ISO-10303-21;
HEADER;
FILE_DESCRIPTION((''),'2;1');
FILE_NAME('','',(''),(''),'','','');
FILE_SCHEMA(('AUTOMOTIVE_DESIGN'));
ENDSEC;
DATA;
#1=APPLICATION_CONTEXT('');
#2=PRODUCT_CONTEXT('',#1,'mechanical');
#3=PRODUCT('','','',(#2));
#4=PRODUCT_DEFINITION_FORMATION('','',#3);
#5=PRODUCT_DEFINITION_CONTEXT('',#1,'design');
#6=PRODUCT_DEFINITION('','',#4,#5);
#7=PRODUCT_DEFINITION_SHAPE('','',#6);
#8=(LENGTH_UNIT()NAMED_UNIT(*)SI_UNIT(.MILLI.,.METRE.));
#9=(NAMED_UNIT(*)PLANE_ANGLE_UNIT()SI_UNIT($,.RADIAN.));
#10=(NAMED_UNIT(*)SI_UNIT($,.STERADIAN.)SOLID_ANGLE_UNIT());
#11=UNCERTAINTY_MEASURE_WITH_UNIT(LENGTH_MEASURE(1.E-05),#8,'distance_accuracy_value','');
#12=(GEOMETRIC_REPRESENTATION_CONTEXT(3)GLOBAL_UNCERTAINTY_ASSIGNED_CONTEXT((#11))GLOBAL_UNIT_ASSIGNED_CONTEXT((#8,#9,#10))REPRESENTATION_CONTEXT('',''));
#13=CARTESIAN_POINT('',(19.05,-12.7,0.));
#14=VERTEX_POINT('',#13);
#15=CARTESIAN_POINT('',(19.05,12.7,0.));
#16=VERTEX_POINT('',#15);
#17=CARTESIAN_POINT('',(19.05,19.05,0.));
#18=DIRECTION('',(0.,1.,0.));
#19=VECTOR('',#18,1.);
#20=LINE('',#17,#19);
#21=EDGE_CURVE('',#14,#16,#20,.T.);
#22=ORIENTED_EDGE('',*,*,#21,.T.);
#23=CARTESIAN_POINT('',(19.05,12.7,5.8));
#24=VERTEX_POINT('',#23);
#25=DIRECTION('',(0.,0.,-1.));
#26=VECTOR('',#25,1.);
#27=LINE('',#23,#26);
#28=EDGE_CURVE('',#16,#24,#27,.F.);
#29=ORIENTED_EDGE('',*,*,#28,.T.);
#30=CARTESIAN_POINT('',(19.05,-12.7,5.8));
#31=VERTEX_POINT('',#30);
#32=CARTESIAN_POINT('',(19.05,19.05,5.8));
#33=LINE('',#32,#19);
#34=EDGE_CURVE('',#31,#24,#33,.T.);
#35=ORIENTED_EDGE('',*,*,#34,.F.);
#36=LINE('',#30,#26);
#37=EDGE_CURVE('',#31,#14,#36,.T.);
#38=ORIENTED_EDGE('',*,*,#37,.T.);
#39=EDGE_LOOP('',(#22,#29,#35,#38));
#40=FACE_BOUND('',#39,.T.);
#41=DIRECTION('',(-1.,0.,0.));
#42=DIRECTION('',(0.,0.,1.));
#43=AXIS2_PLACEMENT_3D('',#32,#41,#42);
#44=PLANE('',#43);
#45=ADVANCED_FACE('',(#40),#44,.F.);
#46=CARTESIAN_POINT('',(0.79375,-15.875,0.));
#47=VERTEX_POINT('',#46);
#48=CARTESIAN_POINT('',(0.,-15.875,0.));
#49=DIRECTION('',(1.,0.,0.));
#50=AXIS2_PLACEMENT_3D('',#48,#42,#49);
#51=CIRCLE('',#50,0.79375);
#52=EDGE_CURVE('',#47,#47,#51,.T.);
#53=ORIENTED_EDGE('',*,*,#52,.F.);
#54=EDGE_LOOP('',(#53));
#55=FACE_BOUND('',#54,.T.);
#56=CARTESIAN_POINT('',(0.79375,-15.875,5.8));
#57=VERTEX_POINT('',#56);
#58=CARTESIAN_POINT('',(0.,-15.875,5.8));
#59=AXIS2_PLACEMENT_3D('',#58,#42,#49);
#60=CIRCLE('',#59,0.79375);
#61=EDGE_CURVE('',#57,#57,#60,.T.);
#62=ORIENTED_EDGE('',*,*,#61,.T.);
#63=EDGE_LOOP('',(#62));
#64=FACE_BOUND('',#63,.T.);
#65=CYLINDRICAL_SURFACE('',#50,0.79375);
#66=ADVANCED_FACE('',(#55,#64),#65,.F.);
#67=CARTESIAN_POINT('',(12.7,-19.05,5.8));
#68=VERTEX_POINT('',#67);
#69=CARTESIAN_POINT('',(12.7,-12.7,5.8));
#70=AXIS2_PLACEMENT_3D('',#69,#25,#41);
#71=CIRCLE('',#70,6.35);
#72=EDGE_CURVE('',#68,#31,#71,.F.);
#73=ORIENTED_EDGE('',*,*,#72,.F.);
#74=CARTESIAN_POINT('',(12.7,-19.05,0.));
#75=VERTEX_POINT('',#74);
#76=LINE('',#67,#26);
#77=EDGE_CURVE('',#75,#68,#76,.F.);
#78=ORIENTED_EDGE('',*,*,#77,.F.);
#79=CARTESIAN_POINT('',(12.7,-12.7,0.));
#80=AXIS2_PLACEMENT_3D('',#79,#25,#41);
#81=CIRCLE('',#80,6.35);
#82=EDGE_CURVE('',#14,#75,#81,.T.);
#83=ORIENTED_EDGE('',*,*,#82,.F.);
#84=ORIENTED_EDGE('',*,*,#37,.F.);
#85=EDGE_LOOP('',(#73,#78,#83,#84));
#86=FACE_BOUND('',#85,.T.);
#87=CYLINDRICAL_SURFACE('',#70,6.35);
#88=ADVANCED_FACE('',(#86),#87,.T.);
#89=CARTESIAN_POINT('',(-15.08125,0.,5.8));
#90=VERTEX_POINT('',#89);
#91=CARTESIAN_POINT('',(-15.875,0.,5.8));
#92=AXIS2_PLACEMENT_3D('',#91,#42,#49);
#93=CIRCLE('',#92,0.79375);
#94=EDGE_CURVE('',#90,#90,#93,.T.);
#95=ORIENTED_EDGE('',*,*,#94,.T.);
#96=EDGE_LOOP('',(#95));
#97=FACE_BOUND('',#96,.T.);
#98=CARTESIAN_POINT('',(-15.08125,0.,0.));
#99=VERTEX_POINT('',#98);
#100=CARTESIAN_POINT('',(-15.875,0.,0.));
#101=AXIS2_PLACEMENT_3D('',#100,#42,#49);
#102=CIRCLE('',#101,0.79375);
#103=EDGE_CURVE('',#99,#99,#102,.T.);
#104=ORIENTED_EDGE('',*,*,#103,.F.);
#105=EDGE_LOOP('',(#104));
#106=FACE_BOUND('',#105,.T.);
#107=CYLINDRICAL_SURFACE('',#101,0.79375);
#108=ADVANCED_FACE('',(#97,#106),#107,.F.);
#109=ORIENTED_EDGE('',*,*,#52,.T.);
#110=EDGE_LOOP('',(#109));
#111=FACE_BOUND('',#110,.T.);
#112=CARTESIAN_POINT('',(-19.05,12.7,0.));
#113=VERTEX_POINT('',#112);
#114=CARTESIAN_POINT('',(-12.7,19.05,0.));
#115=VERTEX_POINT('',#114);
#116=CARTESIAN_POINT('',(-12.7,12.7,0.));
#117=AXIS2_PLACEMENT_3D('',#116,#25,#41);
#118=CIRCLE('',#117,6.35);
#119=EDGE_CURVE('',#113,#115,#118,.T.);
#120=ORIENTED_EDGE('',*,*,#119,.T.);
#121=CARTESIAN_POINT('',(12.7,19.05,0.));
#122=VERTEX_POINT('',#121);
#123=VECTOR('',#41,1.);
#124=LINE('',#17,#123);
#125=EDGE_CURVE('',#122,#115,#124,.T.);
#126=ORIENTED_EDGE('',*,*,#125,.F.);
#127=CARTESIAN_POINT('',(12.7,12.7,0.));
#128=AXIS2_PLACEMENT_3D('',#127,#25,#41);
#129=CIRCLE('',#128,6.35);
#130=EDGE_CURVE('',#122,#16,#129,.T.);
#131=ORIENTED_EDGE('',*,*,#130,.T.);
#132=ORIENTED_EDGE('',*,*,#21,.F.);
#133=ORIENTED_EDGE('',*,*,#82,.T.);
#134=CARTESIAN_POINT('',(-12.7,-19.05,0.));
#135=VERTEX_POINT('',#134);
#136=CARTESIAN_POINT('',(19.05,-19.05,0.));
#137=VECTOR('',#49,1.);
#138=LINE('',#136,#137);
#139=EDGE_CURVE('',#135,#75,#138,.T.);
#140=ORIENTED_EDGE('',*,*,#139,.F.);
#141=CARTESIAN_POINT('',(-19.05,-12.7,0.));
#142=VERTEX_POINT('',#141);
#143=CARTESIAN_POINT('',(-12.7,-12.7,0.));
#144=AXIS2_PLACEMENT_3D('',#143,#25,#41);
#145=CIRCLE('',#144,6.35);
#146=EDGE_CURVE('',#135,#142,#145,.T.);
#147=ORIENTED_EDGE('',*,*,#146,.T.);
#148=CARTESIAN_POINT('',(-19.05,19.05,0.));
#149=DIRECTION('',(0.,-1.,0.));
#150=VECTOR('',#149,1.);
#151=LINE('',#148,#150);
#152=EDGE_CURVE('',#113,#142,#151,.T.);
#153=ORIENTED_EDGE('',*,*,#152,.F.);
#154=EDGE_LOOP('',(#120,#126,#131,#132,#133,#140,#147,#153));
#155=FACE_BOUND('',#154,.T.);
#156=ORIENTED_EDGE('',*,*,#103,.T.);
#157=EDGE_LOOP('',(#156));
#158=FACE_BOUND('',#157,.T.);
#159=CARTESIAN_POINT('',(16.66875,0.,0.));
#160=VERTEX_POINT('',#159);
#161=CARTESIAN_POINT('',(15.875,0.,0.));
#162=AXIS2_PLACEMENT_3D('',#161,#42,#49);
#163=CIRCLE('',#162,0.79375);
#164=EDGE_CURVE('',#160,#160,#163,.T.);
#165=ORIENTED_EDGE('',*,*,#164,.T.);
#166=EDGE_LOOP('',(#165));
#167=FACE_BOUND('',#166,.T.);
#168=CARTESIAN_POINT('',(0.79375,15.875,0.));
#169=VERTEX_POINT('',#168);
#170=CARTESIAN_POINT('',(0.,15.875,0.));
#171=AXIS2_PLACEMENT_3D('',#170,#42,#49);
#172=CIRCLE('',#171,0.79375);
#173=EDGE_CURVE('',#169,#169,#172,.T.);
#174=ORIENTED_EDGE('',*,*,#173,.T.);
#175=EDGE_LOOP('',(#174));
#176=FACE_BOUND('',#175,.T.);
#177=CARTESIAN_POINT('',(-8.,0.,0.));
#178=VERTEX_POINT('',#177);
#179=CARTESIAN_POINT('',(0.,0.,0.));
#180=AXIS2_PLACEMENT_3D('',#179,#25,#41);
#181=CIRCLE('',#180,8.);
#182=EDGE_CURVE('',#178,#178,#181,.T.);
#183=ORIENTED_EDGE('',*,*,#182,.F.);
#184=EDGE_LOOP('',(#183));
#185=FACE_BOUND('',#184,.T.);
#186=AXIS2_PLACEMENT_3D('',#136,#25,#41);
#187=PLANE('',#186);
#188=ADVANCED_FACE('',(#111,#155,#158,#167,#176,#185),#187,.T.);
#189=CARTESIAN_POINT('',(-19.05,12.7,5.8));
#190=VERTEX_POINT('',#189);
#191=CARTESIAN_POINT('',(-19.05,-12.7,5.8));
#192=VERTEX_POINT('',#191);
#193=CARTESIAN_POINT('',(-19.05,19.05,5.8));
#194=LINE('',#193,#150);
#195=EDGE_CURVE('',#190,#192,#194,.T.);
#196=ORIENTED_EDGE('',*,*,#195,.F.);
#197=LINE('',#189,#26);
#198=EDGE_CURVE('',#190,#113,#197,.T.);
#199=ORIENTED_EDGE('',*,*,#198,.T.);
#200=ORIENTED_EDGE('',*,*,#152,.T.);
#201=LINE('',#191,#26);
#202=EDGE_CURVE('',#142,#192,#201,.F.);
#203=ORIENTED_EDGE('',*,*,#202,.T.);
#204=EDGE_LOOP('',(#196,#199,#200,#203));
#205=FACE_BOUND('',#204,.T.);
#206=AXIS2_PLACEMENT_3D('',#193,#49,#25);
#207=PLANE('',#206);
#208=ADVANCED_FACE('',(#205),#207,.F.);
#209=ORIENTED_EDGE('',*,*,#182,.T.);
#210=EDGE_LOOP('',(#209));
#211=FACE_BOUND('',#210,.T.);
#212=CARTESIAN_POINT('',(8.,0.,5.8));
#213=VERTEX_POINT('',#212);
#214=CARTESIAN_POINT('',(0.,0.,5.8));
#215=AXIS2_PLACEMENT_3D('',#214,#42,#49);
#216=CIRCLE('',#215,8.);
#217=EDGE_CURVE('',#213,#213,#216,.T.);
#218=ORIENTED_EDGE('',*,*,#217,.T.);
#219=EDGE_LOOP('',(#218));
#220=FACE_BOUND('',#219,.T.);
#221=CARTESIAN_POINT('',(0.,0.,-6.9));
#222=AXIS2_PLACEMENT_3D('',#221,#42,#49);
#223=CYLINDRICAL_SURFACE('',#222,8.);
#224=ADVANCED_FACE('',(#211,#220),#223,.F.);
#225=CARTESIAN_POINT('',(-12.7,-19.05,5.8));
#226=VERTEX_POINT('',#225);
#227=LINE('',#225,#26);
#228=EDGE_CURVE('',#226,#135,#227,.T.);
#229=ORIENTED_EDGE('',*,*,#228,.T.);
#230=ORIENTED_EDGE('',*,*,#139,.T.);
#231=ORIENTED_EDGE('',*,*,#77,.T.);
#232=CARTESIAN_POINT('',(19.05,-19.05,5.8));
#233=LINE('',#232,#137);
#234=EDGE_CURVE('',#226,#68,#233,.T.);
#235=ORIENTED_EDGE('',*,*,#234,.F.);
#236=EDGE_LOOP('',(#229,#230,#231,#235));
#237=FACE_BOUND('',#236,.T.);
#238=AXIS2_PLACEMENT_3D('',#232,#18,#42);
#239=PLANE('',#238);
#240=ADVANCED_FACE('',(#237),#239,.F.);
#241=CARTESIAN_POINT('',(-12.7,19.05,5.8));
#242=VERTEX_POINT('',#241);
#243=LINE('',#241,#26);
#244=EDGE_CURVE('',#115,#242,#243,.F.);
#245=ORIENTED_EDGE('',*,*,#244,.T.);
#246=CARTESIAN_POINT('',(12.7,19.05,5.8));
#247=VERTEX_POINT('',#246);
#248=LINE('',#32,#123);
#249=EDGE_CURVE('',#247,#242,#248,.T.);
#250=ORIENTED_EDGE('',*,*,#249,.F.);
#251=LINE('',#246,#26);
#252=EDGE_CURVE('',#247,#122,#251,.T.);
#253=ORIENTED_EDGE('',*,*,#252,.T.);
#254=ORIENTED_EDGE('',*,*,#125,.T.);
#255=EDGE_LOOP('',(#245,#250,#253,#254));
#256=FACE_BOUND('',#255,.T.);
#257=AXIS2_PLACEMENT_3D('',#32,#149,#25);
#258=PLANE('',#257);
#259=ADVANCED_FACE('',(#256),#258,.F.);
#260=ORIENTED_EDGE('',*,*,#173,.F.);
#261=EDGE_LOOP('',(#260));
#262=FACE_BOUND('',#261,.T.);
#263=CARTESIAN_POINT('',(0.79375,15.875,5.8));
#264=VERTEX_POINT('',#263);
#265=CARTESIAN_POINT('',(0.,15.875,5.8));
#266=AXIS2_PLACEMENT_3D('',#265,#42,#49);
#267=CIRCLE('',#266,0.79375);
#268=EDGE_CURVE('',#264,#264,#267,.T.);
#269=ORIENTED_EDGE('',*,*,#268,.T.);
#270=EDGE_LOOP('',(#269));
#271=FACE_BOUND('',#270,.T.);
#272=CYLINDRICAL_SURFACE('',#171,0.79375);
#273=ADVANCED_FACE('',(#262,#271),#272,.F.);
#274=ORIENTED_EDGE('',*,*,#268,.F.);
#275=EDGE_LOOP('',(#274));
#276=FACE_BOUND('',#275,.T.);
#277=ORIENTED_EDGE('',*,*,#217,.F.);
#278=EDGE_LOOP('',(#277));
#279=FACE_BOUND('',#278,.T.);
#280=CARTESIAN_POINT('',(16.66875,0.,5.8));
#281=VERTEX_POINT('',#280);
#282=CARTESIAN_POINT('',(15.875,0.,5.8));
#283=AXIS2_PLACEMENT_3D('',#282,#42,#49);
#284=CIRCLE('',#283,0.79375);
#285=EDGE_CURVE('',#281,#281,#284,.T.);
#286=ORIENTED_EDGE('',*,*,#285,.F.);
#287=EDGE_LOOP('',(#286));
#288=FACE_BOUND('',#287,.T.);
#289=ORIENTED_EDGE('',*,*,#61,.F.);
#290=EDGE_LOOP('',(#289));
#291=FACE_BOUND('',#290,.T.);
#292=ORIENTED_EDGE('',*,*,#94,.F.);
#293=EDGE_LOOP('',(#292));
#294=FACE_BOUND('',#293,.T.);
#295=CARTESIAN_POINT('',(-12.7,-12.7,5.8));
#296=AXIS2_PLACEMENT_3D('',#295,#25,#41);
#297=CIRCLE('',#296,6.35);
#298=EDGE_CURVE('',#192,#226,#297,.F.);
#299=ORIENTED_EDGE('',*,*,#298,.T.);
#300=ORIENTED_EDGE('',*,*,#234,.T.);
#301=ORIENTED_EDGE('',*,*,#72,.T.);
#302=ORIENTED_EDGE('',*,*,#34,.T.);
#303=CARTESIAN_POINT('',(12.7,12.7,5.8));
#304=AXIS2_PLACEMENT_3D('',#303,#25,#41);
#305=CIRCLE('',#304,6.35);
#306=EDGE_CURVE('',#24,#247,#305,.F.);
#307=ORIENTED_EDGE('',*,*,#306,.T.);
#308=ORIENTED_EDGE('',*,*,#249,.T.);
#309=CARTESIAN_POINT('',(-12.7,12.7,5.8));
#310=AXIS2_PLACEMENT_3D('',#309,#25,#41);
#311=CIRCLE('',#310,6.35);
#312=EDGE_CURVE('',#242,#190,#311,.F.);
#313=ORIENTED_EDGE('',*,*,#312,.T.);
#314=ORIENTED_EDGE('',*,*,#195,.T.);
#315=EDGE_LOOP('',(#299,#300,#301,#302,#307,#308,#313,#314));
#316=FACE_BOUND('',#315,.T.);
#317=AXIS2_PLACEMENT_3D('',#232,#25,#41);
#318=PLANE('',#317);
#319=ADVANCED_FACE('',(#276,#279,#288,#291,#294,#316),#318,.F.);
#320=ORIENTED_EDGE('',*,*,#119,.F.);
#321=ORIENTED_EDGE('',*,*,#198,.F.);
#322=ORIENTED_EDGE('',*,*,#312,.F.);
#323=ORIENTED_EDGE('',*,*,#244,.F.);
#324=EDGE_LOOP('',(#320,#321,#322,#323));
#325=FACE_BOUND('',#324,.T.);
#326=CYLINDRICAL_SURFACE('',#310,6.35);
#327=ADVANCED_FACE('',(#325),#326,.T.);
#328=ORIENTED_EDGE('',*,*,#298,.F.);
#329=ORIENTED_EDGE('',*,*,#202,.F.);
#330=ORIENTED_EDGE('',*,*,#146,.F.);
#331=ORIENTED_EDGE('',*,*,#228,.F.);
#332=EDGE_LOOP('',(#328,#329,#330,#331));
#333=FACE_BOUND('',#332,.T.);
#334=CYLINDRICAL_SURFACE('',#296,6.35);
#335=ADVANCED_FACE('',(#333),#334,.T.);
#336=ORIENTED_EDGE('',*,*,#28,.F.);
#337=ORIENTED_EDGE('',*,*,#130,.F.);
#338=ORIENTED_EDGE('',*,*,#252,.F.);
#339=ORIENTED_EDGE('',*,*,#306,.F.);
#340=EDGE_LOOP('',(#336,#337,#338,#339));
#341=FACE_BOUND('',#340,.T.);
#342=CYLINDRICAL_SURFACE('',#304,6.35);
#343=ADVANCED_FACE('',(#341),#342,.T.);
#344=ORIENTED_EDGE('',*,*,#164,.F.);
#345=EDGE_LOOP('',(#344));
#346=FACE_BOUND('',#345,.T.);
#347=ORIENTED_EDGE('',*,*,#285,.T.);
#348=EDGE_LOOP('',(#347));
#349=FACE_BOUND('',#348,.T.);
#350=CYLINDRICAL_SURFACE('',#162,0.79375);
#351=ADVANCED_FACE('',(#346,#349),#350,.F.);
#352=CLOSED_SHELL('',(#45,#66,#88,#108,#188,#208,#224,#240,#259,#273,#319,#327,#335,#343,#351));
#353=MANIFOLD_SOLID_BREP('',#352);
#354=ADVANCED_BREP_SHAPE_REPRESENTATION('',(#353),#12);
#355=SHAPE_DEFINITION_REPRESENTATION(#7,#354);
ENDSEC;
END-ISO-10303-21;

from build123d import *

# Parameters (mm, degrees)
SKETCH1_W           = 38.1
SKETCH1_H           = 38.1
BOSS_EXTRUDE1_DEPTH = 5.8
SKETCH2_R           = 0.79375
CUT_EXTRUDE1_DEPTH  = 28.558029683
SKETCH3_R           = 8
CUT_EXTRUDE2_DEPTH  = 12.7
FILLET1_R           = 6.35


with BuildPart() as part:
    # Sketch1 → Boss-Extrude1 (new body)
    with BuildSketch(Plane.XY):
        Rectangle(SKETCH1_W, SKETCH1_H)
    extrude(amount=BOSS_EXTRUDE1_DEPTH)

    # Sketch2 → Cut-Extrude1 (cut, through all)
    with BuildSketch(Plane.XY.offset(5.8)):
        with Locations((0, 15.875)):
            Circle(SKETCH2_R)
        with Locations((15.875, 0)):
            Circle(SKETCH2_R)
        with Locations((0, -15.875)):
            Circle(SKETCH2_R)
        with Locations((-15.875, 0)):
            Circle(SKETCH2_R)
    extrude(amount=-CUT_EXTRUDE1_DEPTH, mode=Mode.SUBTRACT)

    # Sketch3 → Cut-Extrude2 (cut)
    with BuildSketch(Plane.XY.offset(5.8)):
        Circle(SKETCH3_R)
    extrude(amount=-CUT_EXTRUDE2_DEPTH, mode=Mode.SUBTRACT)

    # Fillet1
    fillet1_edges = [part.edges().sort_by_distance(p)[0] for p in [
        (19.05, -19.05, 2.9),
        (-19.05, -19.05, 2.9),
        (-19.05, 19.05, 2.9),
        (19.05, 19.05, 2.9),
    ]]
    fillet(fillet1_edges, radius=FILLET1_R)


solid = part.part
